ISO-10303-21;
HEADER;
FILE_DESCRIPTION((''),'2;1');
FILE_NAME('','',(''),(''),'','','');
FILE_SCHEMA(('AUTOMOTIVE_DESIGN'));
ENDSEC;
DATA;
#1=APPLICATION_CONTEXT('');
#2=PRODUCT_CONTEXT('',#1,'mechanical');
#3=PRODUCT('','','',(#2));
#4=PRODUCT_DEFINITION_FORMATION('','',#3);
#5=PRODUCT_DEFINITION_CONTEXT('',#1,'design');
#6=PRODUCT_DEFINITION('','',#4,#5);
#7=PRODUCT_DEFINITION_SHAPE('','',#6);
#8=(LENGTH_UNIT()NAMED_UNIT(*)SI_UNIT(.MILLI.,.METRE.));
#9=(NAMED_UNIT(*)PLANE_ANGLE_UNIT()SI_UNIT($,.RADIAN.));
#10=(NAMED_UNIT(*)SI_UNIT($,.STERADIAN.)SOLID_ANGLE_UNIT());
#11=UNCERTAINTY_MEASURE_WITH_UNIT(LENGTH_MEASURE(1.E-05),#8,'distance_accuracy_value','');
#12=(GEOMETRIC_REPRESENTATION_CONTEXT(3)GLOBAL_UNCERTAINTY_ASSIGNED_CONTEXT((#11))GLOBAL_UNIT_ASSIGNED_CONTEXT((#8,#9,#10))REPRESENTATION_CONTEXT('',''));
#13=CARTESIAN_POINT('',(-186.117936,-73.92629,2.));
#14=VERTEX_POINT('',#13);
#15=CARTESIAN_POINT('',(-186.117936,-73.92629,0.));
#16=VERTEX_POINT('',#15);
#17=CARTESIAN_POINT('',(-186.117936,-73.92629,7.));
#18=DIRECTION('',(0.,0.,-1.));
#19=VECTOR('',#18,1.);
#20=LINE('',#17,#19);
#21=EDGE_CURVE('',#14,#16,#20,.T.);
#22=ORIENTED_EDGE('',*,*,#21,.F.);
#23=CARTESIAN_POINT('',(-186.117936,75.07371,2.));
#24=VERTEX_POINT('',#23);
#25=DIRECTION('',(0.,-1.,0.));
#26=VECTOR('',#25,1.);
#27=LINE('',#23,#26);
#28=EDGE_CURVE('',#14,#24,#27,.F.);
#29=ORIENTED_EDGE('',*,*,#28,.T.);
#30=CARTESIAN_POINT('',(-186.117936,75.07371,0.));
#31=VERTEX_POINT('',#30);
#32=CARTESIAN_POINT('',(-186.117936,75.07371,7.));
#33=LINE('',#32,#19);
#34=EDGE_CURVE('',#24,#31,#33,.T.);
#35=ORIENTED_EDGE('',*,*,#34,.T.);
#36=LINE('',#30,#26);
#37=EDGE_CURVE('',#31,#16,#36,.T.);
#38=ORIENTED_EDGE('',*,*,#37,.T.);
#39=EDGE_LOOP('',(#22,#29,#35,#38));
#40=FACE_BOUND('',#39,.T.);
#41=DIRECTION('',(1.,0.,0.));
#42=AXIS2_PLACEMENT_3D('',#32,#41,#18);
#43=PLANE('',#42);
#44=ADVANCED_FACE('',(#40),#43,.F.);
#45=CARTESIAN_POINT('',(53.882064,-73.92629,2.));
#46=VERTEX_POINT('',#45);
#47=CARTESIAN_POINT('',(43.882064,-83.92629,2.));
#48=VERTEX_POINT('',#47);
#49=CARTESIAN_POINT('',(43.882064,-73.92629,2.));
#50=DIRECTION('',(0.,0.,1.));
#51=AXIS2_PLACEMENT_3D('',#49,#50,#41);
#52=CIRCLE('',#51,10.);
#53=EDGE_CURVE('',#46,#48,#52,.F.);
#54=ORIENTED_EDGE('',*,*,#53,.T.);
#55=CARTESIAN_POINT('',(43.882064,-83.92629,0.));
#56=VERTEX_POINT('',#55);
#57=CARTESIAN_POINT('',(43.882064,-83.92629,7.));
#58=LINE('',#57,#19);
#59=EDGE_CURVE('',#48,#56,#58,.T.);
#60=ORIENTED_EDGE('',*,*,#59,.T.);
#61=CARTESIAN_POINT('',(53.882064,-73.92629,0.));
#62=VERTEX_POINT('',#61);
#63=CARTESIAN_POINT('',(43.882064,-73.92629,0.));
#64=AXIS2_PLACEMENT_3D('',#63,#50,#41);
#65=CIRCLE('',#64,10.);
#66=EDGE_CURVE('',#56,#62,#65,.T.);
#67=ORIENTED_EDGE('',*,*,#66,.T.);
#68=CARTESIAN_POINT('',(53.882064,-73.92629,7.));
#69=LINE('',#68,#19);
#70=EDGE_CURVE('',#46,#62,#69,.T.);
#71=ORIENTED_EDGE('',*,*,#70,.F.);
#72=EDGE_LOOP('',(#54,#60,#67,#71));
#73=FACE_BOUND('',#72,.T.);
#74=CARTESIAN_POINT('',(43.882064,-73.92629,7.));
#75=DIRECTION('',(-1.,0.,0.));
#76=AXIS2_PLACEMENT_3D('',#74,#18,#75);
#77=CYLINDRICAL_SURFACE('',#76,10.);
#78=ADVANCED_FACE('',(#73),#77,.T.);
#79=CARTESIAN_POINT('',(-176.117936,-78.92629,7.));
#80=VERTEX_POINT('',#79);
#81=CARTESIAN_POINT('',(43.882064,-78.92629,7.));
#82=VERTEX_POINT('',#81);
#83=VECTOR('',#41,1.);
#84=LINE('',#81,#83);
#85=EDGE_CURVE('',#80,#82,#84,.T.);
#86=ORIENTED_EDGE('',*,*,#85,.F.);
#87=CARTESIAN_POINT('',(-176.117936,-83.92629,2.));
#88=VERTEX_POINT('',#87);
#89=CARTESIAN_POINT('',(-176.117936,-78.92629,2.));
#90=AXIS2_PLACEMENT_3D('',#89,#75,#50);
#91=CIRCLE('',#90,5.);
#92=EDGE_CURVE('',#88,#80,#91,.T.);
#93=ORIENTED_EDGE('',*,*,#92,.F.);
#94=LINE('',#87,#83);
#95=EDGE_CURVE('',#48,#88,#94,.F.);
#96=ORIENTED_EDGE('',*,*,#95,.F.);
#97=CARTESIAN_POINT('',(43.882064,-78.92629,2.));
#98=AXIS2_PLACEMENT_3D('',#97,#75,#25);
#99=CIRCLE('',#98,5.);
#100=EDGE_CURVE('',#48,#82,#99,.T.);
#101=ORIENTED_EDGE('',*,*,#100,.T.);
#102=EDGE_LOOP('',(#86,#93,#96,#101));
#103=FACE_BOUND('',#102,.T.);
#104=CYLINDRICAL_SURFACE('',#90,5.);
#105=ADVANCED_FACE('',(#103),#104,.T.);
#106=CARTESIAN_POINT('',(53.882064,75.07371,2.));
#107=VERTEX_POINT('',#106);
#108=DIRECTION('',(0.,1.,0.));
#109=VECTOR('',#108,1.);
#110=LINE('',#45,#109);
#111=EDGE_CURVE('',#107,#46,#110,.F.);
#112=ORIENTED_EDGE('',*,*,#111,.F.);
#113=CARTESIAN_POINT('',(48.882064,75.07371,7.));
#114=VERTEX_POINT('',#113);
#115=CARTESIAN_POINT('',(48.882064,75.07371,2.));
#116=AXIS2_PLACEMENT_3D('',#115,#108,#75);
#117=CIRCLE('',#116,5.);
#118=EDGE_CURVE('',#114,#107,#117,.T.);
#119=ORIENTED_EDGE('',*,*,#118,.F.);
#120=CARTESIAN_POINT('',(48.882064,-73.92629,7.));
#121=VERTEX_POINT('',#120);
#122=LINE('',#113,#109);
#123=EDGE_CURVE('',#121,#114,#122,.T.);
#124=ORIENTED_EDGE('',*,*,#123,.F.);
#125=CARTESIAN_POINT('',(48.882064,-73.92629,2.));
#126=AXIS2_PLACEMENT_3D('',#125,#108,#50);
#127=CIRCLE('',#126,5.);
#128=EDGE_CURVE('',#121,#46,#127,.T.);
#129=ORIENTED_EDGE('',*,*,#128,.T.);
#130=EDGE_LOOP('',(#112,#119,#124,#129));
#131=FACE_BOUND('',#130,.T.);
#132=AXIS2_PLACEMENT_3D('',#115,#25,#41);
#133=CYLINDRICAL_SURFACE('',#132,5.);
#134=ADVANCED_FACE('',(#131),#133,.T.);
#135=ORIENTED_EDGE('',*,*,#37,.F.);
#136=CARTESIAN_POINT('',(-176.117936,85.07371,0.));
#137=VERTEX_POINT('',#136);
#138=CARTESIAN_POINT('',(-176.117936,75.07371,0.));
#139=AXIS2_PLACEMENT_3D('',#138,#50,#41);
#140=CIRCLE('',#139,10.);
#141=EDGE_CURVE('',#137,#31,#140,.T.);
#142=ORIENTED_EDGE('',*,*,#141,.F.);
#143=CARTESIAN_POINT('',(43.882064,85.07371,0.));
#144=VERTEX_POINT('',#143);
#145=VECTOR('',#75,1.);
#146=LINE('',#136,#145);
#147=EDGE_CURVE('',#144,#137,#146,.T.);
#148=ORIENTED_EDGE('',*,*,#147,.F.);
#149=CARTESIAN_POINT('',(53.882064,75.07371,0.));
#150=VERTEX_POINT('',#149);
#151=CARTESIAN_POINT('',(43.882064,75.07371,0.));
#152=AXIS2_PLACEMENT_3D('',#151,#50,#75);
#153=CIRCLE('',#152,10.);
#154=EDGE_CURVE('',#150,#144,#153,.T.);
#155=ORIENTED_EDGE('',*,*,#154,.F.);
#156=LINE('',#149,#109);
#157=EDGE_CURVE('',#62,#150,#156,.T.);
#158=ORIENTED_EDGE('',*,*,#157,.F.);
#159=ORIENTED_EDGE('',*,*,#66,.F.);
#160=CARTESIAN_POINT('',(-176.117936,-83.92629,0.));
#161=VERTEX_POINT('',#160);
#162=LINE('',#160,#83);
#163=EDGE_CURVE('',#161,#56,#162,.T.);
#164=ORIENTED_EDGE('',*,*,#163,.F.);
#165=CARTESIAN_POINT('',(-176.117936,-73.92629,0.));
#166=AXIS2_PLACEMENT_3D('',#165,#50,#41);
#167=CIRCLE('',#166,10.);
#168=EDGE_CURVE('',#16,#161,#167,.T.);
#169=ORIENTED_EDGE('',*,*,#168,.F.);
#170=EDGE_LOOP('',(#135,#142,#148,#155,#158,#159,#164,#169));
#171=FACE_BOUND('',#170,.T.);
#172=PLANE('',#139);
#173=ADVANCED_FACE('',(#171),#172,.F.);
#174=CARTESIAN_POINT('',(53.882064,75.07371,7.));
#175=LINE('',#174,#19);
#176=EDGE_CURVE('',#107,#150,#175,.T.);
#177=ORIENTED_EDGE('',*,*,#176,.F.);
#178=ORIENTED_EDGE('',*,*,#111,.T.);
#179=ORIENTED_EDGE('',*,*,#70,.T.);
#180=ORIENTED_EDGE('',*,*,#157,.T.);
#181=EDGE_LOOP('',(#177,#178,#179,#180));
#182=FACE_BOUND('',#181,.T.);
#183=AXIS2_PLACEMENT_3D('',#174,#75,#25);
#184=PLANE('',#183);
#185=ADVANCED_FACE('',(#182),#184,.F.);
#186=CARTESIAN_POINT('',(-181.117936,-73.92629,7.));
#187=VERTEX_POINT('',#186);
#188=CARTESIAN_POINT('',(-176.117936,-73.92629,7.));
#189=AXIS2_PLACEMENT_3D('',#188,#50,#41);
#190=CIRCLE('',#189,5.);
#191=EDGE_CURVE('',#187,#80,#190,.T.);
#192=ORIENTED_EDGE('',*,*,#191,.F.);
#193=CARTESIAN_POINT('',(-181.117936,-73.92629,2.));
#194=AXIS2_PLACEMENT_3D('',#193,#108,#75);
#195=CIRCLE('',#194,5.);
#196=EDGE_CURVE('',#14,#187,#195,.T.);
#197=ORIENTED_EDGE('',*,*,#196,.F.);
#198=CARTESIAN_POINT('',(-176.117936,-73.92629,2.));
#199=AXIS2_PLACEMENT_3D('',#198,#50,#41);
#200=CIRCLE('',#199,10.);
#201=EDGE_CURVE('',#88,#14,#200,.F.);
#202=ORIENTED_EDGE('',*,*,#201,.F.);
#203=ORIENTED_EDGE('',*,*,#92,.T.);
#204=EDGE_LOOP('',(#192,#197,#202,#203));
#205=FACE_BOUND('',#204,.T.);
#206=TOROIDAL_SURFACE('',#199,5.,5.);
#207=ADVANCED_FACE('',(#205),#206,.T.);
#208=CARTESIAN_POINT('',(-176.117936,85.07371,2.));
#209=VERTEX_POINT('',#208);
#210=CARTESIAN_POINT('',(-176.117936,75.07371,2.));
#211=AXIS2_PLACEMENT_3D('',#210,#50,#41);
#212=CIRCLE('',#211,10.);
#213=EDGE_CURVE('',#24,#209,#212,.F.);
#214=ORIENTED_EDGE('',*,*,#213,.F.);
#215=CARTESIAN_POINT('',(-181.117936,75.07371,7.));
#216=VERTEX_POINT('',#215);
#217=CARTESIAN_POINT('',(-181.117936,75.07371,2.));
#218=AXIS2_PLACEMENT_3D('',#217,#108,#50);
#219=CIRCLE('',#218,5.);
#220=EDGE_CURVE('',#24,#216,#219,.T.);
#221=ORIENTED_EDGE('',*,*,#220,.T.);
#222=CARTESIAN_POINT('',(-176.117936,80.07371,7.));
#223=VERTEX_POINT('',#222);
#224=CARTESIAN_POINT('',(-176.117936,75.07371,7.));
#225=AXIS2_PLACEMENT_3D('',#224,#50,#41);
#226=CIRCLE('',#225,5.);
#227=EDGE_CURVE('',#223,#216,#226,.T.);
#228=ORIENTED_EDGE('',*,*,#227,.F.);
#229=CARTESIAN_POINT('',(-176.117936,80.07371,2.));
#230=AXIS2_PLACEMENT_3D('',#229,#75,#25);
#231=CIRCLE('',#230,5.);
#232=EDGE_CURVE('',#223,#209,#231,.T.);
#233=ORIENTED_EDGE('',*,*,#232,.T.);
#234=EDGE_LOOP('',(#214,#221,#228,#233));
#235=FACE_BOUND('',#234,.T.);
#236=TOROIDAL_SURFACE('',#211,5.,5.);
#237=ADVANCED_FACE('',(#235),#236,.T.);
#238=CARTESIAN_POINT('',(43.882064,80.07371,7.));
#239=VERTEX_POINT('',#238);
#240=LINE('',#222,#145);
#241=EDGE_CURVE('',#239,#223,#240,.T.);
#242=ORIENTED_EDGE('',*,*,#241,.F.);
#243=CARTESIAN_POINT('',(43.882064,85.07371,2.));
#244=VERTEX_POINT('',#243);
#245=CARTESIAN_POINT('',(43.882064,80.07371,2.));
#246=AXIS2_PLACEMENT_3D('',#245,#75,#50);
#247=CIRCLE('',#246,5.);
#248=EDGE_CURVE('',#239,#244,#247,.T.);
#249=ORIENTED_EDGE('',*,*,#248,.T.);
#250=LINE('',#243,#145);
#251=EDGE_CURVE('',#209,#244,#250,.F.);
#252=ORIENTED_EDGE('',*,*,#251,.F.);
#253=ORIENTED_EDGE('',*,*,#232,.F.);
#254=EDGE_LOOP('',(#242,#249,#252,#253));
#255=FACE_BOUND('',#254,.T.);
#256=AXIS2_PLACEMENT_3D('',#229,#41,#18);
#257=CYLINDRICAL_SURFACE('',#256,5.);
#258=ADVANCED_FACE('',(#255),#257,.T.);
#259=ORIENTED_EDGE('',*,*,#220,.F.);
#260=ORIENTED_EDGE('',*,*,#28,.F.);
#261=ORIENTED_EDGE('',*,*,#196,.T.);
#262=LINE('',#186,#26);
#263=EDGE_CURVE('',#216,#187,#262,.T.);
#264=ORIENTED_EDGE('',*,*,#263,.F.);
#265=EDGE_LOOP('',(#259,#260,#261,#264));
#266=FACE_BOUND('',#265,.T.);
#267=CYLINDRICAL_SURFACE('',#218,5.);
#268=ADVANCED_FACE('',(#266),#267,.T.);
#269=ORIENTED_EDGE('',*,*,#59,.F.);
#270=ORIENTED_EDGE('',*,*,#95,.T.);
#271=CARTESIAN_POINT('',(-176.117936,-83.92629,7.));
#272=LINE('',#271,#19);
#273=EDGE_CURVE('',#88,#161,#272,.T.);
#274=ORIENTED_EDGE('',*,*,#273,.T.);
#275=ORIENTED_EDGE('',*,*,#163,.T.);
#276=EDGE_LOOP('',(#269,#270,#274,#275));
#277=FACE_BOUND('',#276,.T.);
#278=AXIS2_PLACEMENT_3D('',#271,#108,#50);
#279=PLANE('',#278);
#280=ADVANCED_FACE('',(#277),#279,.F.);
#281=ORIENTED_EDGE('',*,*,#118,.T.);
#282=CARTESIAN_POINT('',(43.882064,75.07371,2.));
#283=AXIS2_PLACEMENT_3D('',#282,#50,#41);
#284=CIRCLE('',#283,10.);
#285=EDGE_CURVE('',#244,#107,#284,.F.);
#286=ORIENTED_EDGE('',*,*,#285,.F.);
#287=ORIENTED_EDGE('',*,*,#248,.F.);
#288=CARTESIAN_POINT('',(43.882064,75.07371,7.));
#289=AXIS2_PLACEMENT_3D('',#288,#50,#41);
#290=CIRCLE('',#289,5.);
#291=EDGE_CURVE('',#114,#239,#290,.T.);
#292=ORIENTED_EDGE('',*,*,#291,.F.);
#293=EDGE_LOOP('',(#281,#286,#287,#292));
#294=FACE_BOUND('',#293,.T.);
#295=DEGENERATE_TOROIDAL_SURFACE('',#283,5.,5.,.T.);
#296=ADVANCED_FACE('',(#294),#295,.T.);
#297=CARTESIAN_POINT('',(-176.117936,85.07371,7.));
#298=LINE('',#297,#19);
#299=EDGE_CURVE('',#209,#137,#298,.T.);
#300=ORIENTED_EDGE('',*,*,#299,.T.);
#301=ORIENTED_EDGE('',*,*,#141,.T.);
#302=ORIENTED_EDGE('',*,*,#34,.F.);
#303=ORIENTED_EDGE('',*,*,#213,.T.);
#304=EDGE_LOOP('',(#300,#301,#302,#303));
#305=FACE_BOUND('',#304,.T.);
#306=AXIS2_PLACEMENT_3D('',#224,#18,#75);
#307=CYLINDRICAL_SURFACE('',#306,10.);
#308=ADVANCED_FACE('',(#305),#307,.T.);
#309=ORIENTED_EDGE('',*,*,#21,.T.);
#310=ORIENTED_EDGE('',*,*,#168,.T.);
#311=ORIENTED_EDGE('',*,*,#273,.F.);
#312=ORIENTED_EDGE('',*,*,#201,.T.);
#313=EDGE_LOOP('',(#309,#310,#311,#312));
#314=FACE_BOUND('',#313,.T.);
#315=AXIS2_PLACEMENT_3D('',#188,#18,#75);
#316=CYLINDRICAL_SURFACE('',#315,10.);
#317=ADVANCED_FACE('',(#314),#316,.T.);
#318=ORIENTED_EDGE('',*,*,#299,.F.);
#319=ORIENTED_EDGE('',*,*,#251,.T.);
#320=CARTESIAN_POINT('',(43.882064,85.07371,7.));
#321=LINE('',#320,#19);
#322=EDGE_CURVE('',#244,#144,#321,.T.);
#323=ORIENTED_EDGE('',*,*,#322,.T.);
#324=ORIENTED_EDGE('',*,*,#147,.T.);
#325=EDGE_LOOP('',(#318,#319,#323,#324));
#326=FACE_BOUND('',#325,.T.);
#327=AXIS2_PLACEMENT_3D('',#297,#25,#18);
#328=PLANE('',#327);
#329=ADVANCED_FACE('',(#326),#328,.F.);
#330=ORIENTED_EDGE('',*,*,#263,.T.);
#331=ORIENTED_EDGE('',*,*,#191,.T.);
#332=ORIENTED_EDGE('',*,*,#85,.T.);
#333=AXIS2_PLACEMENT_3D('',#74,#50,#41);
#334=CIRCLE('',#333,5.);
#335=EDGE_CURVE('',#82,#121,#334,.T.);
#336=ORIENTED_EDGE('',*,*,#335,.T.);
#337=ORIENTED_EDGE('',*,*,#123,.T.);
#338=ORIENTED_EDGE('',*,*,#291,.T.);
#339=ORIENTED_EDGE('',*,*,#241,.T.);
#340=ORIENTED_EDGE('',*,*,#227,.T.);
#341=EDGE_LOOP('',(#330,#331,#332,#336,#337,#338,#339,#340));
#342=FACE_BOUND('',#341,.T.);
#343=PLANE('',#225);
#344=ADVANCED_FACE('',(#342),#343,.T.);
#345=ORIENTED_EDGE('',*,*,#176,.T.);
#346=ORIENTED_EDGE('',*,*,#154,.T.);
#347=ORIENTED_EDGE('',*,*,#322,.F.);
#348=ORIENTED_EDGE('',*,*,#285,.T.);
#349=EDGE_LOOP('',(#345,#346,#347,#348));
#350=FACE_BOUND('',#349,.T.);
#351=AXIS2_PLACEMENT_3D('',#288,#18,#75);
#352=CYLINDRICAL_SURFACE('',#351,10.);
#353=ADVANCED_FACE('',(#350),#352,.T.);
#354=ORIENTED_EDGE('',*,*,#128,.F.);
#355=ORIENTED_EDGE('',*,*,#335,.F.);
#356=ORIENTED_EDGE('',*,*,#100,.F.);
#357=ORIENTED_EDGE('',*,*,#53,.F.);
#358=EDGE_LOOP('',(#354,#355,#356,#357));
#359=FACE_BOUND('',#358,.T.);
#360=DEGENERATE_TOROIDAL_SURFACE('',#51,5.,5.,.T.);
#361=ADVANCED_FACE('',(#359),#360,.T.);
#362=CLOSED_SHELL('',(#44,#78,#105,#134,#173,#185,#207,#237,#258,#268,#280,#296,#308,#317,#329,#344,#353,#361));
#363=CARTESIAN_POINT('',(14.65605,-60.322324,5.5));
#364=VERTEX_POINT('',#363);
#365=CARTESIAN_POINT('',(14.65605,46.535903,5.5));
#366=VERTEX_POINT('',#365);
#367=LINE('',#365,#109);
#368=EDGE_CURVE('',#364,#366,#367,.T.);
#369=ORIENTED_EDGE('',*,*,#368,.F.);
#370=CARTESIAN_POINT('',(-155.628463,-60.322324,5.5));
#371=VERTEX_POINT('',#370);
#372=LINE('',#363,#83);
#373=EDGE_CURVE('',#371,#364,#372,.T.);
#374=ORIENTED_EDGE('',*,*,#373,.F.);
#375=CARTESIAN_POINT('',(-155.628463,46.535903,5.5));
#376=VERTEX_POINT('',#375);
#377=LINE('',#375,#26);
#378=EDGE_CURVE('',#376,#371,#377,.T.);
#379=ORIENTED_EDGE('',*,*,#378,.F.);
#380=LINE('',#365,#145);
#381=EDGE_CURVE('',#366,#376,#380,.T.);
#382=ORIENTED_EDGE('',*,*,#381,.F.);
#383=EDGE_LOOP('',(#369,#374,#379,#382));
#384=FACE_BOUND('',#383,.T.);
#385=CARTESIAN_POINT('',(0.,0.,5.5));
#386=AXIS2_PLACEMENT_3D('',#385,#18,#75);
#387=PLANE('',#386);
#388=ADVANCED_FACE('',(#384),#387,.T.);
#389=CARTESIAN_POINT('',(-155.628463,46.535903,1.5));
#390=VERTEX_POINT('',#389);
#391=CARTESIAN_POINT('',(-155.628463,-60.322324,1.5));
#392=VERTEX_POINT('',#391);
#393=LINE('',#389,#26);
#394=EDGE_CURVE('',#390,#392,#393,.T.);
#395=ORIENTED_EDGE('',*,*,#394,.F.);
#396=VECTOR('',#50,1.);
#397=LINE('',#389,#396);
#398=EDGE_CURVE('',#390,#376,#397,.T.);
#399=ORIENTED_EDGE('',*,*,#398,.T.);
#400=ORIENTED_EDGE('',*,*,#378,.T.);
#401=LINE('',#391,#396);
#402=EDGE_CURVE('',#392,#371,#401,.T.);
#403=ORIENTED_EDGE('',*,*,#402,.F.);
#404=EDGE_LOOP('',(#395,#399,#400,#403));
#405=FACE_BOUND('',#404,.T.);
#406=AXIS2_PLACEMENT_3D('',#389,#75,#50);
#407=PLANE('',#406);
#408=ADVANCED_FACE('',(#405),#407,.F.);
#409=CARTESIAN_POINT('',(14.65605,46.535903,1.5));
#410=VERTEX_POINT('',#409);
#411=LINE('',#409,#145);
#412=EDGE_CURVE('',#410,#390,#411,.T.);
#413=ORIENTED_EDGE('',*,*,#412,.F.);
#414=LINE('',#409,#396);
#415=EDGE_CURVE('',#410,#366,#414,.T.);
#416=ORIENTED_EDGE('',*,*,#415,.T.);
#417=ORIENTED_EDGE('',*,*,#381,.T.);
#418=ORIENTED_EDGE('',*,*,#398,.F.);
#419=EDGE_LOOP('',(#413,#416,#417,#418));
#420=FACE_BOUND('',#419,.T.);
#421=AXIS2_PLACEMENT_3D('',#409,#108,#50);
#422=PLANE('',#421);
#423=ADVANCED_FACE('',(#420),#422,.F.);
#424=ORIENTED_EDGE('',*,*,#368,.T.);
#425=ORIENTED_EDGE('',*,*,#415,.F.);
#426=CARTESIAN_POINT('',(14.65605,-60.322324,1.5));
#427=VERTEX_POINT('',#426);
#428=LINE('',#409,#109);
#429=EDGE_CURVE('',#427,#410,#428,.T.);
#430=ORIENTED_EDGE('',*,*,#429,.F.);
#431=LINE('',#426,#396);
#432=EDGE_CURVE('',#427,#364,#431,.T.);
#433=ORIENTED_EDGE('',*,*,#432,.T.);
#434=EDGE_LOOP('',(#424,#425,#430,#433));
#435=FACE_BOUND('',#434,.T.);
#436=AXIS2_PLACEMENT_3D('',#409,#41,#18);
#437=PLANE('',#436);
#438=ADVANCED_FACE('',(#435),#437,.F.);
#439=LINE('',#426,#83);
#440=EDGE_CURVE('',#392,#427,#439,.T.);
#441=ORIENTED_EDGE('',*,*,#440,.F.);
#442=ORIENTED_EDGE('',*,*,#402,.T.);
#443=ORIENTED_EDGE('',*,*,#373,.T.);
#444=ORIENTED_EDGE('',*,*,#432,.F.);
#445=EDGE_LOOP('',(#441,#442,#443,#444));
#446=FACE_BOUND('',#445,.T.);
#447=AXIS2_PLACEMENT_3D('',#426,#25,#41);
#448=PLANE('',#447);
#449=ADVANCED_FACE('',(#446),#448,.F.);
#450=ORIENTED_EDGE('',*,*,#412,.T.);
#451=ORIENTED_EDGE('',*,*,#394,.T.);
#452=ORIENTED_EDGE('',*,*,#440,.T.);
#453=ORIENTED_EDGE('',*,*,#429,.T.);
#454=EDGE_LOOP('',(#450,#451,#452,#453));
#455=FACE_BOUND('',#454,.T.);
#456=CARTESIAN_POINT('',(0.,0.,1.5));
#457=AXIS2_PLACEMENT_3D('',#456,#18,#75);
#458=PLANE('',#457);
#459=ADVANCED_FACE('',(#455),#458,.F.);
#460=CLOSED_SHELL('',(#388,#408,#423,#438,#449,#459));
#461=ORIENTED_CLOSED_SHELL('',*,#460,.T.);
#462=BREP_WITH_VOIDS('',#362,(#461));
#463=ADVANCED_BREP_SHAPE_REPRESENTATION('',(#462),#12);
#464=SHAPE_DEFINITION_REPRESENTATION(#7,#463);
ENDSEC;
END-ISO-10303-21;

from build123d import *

# Parameters (mm, degrees)
BOSS_EXTRUDE1_DEPTH = 7
FILLET2_R           = 5
SKETCH2_W           = 170.284513749
SKETCH2_H           = 106.858227508
CUT_EXTRUDE1_DEPTH  = 2


with BuildPart() as part:
    # Sketch1 → Boss-Extrude1 (new body)
    with BuildSketch(Plane.XY):
        with BuildLine():
            Line((-176.117936118, 85.073710074), (43.882063882, 85.073710074))
            ThreePointArc((43.882063882, 85.073710074), (50.953131694, 82.144777886), (53.882063882, 75.073710074))
            Line((53.882063882, 75.073710074), (53.882063882, -73.926289926))
            ThreePointArc((53.882063882, -73.926289926), (50.953131694, -80.997357738), (43.882063882, -83.926289926))
            Line((43.882063882, -83.926289926), (-176.117936118, -83.926289926))
            ThreePointArc((-176.117936118, -83.926289926), (-183.18900393, -80.997357738), (-186.117936118, -73.926289926))
            Line((-186.117936118, -73.926289926), (-186.117936118, 75.073710074))
            ThreePointArc((-186.117936118, 75.073710074), (-183.18900393, 82.144777886), (-176.117936118, 85.073710074))
        make_face()
    extrude(amount=BOSS_EXTRUDE1_DEPTH)

    # Fillet2
    fillet2_edges = [part.edges().sort_by_distance(p)[0] for p in [
        (-183.18900393, -80.997357738, 7),
        (-66.117936118, -83.926289926, 7),
        (50.953131694, -80.997357738, 7),
        (53.882063882, 0.573710074, 7),
        (50.953131694, 82.144777886, 7),
        (-66.117936118, 85.073710074, 7),
        (-183.18900393, 82.144777886, 7),
        (-186.117936118, 0.573710074, 7),
    ]]
    fillet(fillet2_edges, radius=FILLET2_R)

    # Sketch2 → Cut-Extrude1 (cut, symmetric)
    with BuildSketch(Plane.XY.offset(3.5)):
        with Locations((-70.48620655, -6.89321053)):
            Rectangle(SKETCH2_W, SKETCH2_H)
    extrude(amount=CUT_EXTRUDE1_DEPTH, both=True, mode=Mode.SUBTRACT)


solid = part.part
